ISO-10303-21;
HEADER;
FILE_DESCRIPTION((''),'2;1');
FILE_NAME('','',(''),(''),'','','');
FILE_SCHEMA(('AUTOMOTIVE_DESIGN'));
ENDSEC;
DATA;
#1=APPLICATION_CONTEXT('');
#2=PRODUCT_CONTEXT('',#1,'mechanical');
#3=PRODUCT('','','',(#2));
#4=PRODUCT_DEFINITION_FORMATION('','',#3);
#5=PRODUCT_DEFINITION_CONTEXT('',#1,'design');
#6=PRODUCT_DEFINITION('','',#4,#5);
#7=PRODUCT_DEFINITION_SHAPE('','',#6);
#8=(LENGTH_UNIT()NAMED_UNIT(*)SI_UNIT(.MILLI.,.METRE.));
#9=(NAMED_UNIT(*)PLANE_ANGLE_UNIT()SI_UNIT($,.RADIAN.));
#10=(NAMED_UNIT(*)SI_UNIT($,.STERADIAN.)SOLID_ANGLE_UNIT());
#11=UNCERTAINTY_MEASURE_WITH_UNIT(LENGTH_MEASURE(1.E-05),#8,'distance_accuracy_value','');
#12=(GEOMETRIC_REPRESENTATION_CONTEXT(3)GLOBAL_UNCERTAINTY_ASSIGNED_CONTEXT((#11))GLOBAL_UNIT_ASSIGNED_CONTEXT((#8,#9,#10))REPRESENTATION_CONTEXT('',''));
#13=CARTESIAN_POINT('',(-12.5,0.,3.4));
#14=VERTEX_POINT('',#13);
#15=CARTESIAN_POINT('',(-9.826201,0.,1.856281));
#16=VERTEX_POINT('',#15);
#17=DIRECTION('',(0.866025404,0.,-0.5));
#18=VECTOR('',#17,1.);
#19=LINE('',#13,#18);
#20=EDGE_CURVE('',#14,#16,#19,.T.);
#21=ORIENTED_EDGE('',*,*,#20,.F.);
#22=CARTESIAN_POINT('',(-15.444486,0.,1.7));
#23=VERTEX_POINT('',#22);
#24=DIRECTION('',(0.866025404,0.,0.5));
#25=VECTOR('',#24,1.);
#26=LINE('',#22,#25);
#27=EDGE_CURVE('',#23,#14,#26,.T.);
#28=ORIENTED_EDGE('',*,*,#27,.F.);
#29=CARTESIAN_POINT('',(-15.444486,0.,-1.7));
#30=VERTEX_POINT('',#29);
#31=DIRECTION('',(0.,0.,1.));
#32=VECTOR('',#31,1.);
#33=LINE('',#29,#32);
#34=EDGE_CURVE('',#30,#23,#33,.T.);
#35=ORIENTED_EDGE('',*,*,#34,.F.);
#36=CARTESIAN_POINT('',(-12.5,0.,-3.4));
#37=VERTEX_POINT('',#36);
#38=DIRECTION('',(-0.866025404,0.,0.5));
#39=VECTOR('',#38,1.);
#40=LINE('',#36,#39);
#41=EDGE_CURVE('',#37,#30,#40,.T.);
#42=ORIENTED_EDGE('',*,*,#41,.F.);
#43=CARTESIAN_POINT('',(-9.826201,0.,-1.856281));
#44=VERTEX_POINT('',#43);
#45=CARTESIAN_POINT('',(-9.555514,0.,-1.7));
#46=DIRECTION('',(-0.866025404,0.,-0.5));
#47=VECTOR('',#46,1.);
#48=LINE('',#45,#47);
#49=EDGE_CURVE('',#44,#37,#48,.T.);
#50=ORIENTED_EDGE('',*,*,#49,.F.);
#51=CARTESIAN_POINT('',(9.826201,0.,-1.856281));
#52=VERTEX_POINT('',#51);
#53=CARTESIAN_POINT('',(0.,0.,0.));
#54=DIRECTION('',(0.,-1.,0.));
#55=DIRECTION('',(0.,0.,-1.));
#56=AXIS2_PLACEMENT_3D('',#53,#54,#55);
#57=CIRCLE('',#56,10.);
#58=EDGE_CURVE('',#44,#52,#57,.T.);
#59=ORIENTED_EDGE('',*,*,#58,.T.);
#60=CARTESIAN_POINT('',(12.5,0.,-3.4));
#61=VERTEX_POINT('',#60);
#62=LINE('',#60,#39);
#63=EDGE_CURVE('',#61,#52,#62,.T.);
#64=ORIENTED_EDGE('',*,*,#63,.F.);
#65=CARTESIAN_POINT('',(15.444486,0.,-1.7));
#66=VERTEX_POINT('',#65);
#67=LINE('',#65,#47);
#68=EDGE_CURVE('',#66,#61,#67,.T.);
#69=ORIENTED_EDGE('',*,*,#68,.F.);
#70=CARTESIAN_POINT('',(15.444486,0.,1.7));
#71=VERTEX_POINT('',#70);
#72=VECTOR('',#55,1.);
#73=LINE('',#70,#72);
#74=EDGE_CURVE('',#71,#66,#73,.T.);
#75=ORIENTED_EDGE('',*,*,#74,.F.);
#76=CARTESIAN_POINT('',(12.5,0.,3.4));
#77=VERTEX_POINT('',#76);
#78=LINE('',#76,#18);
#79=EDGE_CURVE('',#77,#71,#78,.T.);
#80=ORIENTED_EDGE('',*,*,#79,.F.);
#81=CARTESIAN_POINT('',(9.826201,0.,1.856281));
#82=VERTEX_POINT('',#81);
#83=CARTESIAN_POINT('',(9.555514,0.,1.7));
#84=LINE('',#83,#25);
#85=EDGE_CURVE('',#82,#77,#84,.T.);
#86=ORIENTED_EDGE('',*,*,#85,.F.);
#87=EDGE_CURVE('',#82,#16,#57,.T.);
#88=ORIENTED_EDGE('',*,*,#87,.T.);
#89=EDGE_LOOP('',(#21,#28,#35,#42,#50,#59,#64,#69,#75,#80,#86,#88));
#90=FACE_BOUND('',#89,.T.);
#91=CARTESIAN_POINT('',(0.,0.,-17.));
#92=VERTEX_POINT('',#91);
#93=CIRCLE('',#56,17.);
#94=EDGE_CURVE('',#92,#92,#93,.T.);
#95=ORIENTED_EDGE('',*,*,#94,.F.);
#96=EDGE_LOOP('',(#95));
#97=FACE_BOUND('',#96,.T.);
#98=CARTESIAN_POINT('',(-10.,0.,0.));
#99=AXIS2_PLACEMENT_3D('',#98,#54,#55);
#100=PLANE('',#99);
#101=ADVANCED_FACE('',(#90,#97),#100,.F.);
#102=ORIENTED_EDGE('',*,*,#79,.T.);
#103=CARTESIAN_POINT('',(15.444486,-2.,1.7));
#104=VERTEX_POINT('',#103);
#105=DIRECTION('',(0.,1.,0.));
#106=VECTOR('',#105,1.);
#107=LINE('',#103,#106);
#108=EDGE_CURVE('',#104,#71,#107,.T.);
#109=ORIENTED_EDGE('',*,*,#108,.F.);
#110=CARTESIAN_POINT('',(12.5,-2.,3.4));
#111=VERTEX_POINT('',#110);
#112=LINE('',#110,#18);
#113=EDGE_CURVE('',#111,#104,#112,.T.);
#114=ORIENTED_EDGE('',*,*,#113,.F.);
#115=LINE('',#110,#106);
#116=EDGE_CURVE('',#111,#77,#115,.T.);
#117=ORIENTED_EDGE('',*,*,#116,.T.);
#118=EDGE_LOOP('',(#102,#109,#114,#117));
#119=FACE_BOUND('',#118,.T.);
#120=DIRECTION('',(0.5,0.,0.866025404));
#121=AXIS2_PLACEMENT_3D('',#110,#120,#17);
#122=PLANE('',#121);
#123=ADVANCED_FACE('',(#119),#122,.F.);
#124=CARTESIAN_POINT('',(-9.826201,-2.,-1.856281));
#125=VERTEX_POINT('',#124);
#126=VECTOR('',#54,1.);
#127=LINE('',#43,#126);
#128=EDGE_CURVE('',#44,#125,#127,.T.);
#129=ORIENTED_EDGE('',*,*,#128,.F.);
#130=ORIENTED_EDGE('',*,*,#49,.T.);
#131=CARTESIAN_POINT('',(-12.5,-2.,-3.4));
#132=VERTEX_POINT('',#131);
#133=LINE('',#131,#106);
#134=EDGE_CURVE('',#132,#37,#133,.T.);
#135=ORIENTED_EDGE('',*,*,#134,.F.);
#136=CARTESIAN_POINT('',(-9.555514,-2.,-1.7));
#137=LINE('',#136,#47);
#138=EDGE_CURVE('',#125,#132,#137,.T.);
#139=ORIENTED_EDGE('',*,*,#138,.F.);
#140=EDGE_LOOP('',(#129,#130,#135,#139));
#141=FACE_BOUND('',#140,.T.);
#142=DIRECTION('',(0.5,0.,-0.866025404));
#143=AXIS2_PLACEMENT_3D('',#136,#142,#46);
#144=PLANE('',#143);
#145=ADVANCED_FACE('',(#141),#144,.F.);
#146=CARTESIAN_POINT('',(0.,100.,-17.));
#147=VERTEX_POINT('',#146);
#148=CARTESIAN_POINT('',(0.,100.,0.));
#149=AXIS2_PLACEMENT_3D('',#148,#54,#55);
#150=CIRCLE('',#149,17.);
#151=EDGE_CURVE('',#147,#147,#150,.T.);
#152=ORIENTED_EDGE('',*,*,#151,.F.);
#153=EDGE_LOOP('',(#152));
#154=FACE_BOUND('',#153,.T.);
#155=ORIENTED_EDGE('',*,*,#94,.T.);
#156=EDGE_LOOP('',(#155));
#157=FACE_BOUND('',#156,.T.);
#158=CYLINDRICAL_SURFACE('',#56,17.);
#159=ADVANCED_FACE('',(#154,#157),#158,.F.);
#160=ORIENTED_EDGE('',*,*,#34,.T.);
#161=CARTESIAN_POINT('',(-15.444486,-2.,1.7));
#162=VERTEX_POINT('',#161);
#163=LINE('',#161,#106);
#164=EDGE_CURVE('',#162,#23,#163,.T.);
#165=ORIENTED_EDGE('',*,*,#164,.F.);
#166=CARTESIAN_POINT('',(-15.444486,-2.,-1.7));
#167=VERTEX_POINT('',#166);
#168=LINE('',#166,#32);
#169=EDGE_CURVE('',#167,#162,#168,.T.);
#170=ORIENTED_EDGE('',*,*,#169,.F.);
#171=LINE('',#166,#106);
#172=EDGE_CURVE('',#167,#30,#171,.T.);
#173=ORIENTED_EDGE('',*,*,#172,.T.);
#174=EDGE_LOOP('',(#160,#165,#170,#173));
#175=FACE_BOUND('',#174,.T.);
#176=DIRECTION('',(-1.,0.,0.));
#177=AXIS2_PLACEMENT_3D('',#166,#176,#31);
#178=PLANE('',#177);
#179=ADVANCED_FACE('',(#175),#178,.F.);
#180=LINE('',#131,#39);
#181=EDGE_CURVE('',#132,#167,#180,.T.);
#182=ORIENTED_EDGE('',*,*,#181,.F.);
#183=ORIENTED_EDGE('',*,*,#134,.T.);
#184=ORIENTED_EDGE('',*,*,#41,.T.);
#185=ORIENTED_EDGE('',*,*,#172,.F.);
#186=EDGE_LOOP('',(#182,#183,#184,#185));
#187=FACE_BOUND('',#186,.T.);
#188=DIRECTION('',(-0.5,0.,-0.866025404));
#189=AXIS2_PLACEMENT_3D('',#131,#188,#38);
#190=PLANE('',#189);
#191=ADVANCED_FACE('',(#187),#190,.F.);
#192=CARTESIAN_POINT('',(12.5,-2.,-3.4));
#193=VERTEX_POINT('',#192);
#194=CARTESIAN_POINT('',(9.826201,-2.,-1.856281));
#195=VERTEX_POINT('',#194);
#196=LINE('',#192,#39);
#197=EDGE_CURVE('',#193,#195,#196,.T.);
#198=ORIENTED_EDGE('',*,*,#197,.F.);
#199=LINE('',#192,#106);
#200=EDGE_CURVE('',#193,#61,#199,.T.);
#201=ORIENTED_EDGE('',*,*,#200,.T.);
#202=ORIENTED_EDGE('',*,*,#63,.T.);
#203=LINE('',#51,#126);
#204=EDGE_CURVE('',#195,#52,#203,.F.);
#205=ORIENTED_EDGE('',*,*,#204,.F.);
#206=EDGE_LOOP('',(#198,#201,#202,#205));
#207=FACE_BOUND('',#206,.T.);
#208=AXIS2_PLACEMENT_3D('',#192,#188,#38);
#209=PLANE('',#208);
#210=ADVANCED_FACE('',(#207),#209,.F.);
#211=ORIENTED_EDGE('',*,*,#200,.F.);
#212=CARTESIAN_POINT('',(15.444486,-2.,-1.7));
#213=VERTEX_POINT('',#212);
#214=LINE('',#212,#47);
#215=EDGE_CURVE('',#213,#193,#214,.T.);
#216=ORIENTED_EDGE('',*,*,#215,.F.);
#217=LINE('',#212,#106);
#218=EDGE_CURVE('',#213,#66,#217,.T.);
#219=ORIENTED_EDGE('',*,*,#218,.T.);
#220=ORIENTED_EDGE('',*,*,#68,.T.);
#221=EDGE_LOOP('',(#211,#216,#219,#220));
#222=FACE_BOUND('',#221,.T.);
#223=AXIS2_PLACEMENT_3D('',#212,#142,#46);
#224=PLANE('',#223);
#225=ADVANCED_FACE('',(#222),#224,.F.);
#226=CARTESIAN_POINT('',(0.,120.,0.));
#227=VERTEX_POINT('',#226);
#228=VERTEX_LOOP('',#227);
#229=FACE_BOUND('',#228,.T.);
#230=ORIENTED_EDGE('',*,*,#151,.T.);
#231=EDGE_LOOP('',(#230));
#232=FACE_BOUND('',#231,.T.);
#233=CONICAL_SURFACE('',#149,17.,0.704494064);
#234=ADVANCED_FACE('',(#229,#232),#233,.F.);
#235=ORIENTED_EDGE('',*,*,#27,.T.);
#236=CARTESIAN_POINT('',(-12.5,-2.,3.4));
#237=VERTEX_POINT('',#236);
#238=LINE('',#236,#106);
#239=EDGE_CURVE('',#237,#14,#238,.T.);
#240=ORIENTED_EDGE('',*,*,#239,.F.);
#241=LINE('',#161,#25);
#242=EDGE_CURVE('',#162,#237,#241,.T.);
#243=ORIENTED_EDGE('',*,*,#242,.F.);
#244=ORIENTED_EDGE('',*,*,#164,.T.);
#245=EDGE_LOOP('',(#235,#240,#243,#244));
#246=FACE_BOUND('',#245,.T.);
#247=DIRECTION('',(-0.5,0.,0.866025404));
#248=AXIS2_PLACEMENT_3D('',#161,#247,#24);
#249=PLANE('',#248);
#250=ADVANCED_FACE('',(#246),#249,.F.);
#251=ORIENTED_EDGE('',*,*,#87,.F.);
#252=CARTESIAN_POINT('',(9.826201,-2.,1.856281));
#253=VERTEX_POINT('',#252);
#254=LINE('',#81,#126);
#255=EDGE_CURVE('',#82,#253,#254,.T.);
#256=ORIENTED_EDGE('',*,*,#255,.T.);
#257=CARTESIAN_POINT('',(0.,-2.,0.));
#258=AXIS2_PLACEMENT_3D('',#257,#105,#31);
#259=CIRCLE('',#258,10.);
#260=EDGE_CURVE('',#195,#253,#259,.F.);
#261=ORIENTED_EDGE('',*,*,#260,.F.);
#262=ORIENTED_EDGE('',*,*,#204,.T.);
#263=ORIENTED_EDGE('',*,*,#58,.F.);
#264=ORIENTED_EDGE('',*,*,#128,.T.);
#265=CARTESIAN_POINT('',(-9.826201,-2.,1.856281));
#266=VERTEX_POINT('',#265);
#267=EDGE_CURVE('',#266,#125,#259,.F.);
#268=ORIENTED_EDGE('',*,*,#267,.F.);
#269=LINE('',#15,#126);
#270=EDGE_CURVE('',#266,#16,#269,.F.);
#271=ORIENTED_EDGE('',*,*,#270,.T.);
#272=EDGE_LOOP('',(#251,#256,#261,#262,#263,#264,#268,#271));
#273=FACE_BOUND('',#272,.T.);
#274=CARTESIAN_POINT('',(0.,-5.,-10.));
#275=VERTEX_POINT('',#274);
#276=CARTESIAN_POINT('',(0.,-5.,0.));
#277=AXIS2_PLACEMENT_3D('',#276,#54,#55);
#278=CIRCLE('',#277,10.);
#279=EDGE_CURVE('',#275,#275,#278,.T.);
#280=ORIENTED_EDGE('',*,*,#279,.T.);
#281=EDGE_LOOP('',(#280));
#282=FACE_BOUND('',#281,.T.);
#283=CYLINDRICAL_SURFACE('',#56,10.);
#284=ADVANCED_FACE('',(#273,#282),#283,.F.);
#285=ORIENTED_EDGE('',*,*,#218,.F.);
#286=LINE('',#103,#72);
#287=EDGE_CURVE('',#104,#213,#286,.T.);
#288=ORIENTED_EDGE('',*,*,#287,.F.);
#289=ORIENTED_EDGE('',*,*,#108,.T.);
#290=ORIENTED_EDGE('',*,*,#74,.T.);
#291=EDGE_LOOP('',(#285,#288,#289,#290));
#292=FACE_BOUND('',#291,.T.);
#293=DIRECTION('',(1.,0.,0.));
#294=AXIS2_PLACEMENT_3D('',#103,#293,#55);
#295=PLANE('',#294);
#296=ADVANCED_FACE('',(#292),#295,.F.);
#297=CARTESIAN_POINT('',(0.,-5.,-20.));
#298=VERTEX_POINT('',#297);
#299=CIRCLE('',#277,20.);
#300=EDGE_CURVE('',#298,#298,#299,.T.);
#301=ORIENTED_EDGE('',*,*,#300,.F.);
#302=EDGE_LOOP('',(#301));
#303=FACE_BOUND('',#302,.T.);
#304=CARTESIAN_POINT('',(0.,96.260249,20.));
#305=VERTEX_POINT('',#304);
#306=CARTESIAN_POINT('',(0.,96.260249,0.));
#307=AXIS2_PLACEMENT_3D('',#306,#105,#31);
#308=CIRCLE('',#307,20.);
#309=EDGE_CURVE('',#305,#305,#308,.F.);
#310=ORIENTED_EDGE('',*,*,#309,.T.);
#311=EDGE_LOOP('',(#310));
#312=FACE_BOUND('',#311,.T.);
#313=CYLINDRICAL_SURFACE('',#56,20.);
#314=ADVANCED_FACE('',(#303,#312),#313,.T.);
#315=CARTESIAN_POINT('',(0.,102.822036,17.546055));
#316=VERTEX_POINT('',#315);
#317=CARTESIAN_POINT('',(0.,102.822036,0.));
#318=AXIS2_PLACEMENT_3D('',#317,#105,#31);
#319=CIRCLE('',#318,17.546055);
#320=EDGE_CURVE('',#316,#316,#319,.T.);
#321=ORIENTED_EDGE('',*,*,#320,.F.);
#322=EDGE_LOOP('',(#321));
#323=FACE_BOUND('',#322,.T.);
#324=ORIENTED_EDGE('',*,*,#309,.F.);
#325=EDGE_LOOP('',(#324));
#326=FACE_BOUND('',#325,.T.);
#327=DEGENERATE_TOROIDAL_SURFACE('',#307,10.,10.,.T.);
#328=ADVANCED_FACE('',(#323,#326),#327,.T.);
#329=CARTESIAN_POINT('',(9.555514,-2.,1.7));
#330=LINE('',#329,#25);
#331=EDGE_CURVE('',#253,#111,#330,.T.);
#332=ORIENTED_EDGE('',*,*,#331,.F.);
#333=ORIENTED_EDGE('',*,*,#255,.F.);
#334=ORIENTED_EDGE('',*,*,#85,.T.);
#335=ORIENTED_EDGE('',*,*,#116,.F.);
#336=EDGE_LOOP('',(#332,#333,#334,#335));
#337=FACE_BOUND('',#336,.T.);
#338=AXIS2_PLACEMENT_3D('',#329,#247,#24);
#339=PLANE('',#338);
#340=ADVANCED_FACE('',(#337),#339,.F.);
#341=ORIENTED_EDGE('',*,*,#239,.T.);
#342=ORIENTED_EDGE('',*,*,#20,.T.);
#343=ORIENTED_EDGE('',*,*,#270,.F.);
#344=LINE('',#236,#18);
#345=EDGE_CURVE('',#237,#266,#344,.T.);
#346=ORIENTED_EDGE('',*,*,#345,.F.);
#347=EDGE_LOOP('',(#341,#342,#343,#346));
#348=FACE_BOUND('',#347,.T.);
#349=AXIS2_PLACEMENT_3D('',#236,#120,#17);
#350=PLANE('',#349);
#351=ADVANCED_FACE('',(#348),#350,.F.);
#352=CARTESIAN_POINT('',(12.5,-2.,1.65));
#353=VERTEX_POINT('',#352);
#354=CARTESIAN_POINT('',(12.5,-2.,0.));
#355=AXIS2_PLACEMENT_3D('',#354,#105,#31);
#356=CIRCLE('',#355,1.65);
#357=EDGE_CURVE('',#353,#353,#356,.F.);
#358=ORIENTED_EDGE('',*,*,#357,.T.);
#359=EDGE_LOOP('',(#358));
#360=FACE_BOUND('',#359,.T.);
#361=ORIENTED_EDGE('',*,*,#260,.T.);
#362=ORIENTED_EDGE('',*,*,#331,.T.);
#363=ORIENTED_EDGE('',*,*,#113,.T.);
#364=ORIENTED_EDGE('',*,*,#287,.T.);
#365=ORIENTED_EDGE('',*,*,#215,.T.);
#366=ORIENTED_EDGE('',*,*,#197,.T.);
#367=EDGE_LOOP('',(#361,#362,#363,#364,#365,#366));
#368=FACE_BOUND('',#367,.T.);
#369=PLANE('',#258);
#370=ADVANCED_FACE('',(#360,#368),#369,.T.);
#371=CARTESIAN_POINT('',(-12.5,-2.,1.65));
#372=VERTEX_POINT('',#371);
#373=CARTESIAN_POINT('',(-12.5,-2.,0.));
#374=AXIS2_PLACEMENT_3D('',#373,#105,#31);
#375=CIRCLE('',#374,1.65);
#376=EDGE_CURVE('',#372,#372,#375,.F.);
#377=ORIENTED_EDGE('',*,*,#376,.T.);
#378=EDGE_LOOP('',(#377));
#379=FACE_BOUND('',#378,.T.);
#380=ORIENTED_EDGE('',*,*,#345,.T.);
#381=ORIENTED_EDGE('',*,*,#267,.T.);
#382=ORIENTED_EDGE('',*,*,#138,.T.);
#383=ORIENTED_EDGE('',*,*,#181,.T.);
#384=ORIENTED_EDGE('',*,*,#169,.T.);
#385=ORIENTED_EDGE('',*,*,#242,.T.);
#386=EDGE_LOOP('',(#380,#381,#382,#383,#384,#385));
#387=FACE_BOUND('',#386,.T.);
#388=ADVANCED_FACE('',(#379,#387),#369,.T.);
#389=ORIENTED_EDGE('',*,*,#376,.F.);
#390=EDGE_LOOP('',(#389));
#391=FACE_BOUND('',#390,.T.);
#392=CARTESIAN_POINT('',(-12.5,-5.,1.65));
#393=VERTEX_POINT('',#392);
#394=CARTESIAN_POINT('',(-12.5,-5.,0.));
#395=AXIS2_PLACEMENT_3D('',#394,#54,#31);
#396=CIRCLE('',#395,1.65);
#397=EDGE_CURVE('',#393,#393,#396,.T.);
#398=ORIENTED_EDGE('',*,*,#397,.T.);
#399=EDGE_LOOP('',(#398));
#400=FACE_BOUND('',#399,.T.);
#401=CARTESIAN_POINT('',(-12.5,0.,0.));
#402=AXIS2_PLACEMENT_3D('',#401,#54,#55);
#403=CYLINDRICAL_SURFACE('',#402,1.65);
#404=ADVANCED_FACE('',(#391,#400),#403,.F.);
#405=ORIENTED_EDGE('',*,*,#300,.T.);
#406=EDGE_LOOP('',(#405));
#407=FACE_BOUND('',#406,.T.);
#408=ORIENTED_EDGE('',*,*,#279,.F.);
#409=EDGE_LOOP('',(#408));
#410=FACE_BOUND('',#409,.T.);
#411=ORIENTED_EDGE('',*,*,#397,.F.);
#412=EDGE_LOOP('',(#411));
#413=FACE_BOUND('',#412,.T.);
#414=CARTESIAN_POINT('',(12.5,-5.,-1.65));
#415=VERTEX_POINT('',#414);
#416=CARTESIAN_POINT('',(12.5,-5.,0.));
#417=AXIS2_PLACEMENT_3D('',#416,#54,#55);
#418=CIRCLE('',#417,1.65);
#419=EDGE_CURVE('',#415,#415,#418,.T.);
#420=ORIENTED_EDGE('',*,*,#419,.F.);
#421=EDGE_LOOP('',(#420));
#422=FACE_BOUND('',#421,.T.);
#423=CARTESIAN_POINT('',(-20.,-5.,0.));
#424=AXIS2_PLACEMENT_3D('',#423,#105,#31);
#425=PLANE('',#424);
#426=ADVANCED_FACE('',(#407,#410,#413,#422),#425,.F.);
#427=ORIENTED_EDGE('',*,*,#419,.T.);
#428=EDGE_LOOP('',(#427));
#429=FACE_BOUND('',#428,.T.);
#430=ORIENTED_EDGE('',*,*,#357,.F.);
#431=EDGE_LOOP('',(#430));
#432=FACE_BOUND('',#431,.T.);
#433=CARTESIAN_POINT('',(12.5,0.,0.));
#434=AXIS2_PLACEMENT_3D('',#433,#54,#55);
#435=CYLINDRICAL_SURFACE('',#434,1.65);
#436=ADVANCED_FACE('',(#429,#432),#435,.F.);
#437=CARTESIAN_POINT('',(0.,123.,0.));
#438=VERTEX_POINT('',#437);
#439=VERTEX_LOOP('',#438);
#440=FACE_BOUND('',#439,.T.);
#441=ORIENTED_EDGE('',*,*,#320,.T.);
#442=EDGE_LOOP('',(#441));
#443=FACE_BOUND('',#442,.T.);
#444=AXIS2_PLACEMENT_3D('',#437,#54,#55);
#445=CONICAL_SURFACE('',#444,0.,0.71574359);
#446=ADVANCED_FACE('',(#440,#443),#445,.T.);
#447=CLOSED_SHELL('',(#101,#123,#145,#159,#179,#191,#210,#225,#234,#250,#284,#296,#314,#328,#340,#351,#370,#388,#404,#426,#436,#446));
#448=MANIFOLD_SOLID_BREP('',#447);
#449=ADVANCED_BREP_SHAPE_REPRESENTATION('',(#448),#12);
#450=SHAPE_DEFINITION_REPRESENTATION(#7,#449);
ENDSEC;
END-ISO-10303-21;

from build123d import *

# Parameters (mm, degrees)
REDONDEO1_R           = 10
CROQUIS4_R            = 1.65
CORTAR_EXTRUIR1_DEPTH = 5
CORTAR_EXTRUIR2_DEPTH = 2


with BuildPart() as part:
    # Croquis1 → Revolución3 (revolve)
    with BuildSketch(Plane.XY):
        Polygon((-20, -5), (-20, 100), (0, 123), (0, 120), (-17, 100), (-17, 0), (-10, 0), (-10, -5), align=None)
    revolve(axis=Axis((0, 0, 0), (0, 1, 0)))

    # Redondeo1
    redondeo1_edges = [part.edges().sort_by_distance(p)[0] for p in [
        (20, 100, 0),
    ]]
    fillet(redondeo1_edges, radius=REDONDEO1_R)

    # Croquis4 → Cortar-Extruir1 (cut)
    with BuildSketch(Plane.XZ.offset(5)):
        with Locations((12.5, 0)):
            Circle(CROQUIS4_R)
        with Locations((-12.5, 0)):
            Circle(CROQUIS4_R)
    extrude(amount=-CORTAR_EXTRUIR1_DEPTH, mode=Mode.SUBTRACT)

    # Croquis5 → Cortar-Extruir2 (cut)
    with BuildSketch(Plane(origin=(0, 0, 0), x_dir=(1, 0, 0), z_dir=(0, 1, 0))):
        Polygon((-12.5, 3.4), (-15.444486373, 1.7), (-15.444486373, -1.7), (-12.5, -3.4), (-9.555513627, -1.7), (-9.555513627, 1.7), align=None)
        Polygon((12.5, 3.4), (9.555513627, 1.7), (9.555513627, -1.7), (12.5, -3.4), (15.444486373, -1.7), (15.444486373, 1.7), align=None)
    extrude(amount=-CORTAR_EXTRUIR2_DEPTH, mode=Mode.SUBTRACT)


solid = part.part
